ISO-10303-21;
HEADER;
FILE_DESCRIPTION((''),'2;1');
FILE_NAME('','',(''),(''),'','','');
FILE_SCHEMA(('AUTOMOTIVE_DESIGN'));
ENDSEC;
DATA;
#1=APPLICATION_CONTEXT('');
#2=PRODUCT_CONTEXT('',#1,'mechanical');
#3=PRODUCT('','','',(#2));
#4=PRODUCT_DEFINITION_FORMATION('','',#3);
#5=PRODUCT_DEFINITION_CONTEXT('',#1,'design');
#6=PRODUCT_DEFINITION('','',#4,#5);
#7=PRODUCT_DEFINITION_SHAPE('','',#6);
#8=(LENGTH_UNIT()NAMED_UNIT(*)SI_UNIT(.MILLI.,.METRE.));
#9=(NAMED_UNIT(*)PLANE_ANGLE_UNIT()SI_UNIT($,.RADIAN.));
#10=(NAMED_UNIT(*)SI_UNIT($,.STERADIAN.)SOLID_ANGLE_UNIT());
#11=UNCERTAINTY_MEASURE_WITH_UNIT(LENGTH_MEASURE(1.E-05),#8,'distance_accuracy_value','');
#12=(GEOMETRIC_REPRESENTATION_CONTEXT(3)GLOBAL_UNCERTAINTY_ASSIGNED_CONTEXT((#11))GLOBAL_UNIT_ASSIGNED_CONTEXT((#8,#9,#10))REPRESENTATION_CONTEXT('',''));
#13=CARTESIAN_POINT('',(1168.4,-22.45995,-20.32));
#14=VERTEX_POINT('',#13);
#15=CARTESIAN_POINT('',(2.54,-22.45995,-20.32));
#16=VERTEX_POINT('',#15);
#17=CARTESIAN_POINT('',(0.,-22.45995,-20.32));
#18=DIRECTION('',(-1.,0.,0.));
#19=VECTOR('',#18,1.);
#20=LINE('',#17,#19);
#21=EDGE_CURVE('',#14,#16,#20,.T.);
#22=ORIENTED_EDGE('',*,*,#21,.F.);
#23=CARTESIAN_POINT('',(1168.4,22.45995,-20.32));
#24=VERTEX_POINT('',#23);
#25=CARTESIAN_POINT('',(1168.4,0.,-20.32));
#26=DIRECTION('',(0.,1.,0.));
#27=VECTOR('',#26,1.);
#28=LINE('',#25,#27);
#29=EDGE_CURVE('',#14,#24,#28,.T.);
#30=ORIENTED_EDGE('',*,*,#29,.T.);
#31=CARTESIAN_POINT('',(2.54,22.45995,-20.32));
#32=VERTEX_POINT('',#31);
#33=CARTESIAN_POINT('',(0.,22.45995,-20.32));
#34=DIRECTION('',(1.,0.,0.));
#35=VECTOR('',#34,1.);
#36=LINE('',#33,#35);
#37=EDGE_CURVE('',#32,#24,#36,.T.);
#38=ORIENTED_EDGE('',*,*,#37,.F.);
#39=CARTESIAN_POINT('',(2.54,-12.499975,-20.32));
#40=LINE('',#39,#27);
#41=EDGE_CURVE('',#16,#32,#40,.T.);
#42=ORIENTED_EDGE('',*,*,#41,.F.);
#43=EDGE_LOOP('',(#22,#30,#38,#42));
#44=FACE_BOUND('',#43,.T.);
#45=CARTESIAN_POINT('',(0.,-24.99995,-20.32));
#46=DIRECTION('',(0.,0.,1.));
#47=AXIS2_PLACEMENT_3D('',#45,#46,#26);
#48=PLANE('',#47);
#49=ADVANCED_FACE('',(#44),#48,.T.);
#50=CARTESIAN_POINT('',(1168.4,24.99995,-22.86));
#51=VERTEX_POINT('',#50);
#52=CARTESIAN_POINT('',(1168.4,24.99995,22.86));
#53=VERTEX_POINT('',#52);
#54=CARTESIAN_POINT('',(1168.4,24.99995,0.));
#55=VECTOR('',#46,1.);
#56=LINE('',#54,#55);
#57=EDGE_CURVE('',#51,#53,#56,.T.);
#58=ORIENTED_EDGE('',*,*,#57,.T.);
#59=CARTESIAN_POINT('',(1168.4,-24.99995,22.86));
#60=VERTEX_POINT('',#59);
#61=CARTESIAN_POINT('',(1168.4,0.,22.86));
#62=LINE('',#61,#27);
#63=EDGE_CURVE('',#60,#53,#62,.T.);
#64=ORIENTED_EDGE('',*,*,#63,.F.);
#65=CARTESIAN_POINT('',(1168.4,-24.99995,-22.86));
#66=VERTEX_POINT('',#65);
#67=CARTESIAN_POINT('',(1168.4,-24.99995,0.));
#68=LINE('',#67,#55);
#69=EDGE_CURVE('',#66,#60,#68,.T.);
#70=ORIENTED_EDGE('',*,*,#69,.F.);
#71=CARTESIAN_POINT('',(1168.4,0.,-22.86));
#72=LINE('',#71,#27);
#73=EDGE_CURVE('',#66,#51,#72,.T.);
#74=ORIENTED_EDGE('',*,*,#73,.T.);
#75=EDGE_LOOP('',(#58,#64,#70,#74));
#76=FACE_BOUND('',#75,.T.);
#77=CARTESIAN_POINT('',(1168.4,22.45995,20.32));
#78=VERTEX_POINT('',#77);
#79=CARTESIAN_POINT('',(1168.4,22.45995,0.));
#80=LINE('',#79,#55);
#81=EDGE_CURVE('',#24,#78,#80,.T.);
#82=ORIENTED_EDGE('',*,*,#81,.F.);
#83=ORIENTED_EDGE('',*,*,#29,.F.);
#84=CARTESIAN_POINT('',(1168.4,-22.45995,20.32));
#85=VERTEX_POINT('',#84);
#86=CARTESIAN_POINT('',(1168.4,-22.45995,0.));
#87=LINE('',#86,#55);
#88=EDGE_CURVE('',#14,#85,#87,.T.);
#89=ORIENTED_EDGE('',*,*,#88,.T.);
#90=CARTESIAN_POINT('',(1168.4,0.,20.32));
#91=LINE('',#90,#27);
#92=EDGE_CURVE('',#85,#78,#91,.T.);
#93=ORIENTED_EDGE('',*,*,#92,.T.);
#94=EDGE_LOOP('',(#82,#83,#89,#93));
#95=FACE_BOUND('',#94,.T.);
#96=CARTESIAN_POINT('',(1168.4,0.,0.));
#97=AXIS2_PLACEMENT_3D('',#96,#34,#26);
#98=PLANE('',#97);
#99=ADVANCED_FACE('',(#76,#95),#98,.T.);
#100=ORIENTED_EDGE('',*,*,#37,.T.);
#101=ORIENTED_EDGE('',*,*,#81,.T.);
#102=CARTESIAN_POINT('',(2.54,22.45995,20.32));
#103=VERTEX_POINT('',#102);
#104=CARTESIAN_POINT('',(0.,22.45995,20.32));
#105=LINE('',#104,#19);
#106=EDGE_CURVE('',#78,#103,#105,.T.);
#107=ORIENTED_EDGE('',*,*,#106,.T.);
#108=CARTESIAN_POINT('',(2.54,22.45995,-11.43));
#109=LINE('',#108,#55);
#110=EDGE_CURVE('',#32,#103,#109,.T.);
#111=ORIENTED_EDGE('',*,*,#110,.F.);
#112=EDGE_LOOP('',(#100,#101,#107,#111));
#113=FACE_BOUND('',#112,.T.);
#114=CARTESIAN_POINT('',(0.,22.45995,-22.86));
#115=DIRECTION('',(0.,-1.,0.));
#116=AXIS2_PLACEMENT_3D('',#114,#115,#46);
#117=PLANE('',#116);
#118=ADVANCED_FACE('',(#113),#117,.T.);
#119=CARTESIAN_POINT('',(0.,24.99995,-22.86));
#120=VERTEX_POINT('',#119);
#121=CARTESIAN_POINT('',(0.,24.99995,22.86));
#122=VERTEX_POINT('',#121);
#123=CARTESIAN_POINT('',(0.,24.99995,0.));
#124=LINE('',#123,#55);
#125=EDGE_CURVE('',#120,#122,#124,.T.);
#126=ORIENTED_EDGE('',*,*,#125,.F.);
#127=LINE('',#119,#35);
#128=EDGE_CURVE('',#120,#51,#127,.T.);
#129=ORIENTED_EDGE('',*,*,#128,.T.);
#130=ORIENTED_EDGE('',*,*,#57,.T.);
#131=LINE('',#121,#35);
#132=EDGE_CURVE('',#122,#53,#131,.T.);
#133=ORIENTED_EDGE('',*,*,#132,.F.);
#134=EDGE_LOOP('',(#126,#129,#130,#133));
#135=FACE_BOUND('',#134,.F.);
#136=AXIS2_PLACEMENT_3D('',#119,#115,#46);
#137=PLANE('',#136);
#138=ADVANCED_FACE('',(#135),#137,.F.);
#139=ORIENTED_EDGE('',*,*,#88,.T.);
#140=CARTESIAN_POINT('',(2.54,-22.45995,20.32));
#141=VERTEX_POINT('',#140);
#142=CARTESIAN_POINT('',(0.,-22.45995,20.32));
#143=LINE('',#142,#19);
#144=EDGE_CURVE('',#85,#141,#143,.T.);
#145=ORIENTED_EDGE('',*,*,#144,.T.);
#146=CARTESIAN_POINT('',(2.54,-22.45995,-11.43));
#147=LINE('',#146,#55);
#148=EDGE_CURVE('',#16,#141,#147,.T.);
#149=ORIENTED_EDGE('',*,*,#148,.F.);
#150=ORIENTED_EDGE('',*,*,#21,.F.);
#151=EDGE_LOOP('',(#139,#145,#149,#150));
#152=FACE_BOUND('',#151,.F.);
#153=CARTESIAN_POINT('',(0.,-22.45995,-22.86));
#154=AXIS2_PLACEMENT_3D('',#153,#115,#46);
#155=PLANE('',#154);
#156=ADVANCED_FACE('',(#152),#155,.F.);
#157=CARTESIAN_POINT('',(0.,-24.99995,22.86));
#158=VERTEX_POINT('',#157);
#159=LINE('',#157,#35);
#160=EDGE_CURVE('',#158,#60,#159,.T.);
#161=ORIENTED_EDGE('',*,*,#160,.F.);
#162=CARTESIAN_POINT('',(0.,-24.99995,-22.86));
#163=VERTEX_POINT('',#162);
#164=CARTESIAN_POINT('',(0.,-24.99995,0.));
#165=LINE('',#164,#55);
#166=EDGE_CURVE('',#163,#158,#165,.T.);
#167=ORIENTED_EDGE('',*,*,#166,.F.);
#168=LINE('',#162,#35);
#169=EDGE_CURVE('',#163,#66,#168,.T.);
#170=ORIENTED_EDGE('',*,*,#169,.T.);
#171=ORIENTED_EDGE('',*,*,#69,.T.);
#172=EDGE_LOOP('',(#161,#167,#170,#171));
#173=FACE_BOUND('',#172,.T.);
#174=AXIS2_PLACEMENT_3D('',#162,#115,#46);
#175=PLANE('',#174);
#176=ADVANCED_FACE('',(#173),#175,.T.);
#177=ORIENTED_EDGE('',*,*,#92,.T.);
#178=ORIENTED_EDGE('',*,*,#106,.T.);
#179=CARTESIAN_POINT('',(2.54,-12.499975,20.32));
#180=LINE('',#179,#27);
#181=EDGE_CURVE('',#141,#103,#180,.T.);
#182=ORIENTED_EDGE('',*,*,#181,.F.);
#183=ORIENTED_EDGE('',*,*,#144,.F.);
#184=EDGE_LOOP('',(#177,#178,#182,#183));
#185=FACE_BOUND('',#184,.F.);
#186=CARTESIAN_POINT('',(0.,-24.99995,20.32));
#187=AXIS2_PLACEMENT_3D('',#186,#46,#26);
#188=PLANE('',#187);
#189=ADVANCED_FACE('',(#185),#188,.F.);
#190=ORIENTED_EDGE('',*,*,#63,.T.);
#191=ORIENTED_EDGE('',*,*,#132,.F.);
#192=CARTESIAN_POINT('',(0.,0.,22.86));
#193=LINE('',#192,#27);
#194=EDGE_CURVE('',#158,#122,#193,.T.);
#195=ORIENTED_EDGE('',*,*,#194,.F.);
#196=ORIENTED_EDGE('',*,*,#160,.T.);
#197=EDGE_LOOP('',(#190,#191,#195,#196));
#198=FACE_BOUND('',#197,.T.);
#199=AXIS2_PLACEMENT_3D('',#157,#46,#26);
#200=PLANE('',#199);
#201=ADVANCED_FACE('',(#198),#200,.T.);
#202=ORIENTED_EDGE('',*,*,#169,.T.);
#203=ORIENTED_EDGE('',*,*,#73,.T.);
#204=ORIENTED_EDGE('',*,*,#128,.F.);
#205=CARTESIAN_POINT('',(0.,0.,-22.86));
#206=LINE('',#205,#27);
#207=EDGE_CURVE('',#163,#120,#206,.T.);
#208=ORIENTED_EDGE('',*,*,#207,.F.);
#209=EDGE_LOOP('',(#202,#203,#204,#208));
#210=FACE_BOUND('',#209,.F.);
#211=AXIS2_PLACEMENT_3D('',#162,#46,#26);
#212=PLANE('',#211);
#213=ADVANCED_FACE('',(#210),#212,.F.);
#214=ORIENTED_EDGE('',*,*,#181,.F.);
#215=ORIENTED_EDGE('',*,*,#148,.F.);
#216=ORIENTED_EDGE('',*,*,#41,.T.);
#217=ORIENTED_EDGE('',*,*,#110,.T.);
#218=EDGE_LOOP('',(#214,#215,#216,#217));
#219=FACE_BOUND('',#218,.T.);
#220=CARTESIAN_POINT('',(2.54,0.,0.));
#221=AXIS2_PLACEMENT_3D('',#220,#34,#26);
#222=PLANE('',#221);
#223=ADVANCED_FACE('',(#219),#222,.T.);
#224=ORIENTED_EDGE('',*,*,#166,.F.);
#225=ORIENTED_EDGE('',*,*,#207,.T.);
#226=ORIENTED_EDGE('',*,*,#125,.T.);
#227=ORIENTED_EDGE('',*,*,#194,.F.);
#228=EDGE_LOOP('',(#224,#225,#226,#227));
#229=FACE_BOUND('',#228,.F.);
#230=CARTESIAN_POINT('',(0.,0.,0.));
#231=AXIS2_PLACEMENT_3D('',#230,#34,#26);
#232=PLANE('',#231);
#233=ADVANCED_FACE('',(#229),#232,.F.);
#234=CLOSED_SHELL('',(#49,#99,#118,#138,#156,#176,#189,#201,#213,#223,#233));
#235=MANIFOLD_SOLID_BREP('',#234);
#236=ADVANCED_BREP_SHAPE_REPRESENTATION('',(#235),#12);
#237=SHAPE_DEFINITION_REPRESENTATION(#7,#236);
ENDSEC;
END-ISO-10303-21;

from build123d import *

# Parameters (mm, degrees)
F0_W     = 49.9999
F0_H     = 45.72
F1_DEPTH = 1168.4
F2_T     = -2.54


with BuildPart() as f1:
    # F0 (on Right) → F1 (new body)
    with BuildSketch(Plane.YZ):
        Rectangle(F0_W, F0_H)
    extrude(amount=F1_DEPTH)

    # F2
    f2_openings = [f1.faces().sort_by_distance(p)[0] for p in [
        (1168.4, 0, 0),
    ]]
    offset(amount=F2_T, openings=f2_openings)


solid = f1.part
